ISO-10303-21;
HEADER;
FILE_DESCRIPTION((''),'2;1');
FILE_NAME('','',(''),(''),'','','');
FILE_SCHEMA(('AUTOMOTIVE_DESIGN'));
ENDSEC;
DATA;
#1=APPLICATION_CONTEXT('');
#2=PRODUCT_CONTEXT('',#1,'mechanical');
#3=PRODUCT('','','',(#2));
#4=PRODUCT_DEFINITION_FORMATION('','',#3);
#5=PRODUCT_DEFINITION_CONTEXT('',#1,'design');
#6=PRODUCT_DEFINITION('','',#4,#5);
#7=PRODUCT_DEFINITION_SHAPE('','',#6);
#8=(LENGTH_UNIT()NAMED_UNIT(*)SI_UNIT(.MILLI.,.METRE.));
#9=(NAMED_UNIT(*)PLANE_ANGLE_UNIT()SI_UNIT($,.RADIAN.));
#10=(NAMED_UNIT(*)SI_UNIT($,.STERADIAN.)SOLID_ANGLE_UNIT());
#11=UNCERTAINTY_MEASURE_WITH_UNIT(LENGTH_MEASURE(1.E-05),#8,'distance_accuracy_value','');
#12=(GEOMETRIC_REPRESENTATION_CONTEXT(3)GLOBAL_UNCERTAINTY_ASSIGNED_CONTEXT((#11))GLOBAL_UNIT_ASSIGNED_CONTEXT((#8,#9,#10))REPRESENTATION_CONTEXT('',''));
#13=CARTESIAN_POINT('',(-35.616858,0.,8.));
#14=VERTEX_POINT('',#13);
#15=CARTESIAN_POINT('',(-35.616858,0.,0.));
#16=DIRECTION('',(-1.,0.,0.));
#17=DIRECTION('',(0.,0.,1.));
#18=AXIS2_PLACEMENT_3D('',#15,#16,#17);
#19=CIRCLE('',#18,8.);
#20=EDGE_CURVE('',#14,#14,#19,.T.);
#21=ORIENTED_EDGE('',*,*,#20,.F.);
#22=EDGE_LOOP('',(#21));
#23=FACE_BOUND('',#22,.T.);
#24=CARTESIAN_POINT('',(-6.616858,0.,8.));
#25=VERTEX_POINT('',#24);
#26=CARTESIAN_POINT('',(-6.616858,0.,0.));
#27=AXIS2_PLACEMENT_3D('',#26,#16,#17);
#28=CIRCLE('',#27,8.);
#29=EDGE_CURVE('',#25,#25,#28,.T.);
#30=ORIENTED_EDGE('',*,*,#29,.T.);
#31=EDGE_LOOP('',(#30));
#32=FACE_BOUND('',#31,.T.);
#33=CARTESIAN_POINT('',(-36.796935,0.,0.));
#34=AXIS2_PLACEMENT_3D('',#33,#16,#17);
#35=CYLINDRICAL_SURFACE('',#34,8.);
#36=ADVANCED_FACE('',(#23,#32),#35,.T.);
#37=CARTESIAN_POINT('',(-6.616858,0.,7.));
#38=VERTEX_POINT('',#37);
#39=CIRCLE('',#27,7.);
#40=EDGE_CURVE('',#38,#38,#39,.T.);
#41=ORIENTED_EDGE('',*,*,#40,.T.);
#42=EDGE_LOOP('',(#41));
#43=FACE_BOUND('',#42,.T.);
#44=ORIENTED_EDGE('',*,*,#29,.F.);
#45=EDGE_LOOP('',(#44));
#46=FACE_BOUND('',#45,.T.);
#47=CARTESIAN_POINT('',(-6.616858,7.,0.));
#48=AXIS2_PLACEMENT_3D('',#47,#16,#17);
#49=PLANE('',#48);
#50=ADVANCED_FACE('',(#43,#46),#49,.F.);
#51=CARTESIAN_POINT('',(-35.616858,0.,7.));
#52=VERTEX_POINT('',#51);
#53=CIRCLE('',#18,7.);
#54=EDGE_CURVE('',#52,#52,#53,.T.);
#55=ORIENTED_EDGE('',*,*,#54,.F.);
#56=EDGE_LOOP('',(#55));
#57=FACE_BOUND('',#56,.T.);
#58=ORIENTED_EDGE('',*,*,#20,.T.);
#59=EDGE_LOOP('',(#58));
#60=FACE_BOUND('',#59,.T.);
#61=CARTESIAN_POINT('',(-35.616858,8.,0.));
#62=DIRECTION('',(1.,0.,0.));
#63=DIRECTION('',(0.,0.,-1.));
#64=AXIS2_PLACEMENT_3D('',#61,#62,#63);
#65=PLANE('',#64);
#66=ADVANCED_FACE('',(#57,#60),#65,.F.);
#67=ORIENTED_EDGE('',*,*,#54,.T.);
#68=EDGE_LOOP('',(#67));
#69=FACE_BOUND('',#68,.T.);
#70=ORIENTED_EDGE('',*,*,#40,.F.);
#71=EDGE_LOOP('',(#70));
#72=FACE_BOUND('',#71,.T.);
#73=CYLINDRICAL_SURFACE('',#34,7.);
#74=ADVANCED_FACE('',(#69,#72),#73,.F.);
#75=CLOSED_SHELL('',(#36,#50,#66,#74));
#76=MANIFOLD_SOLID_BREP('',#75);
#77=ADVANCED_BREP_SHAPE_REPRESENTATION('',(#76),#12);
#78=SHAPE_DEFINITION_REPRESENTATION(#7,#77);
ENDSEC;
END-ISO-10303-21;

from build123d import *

# Parameters (mm, degrees)
SKIZZE1_W = 29
SKIZZE1_H = 1


with BuildPart() as part:
    # Skizze1 → Rotation1 (revolve)
    with BuildSketch(Plane.XY):
        with Locations((-21.116858238, 7.5)):
            Rectangle(SKIZZE1_W, SKIZZE1_H)
    revolve(axis=Axis((-36.796934866, 0, 0), (1, 0, 0)))


solid = part.part
